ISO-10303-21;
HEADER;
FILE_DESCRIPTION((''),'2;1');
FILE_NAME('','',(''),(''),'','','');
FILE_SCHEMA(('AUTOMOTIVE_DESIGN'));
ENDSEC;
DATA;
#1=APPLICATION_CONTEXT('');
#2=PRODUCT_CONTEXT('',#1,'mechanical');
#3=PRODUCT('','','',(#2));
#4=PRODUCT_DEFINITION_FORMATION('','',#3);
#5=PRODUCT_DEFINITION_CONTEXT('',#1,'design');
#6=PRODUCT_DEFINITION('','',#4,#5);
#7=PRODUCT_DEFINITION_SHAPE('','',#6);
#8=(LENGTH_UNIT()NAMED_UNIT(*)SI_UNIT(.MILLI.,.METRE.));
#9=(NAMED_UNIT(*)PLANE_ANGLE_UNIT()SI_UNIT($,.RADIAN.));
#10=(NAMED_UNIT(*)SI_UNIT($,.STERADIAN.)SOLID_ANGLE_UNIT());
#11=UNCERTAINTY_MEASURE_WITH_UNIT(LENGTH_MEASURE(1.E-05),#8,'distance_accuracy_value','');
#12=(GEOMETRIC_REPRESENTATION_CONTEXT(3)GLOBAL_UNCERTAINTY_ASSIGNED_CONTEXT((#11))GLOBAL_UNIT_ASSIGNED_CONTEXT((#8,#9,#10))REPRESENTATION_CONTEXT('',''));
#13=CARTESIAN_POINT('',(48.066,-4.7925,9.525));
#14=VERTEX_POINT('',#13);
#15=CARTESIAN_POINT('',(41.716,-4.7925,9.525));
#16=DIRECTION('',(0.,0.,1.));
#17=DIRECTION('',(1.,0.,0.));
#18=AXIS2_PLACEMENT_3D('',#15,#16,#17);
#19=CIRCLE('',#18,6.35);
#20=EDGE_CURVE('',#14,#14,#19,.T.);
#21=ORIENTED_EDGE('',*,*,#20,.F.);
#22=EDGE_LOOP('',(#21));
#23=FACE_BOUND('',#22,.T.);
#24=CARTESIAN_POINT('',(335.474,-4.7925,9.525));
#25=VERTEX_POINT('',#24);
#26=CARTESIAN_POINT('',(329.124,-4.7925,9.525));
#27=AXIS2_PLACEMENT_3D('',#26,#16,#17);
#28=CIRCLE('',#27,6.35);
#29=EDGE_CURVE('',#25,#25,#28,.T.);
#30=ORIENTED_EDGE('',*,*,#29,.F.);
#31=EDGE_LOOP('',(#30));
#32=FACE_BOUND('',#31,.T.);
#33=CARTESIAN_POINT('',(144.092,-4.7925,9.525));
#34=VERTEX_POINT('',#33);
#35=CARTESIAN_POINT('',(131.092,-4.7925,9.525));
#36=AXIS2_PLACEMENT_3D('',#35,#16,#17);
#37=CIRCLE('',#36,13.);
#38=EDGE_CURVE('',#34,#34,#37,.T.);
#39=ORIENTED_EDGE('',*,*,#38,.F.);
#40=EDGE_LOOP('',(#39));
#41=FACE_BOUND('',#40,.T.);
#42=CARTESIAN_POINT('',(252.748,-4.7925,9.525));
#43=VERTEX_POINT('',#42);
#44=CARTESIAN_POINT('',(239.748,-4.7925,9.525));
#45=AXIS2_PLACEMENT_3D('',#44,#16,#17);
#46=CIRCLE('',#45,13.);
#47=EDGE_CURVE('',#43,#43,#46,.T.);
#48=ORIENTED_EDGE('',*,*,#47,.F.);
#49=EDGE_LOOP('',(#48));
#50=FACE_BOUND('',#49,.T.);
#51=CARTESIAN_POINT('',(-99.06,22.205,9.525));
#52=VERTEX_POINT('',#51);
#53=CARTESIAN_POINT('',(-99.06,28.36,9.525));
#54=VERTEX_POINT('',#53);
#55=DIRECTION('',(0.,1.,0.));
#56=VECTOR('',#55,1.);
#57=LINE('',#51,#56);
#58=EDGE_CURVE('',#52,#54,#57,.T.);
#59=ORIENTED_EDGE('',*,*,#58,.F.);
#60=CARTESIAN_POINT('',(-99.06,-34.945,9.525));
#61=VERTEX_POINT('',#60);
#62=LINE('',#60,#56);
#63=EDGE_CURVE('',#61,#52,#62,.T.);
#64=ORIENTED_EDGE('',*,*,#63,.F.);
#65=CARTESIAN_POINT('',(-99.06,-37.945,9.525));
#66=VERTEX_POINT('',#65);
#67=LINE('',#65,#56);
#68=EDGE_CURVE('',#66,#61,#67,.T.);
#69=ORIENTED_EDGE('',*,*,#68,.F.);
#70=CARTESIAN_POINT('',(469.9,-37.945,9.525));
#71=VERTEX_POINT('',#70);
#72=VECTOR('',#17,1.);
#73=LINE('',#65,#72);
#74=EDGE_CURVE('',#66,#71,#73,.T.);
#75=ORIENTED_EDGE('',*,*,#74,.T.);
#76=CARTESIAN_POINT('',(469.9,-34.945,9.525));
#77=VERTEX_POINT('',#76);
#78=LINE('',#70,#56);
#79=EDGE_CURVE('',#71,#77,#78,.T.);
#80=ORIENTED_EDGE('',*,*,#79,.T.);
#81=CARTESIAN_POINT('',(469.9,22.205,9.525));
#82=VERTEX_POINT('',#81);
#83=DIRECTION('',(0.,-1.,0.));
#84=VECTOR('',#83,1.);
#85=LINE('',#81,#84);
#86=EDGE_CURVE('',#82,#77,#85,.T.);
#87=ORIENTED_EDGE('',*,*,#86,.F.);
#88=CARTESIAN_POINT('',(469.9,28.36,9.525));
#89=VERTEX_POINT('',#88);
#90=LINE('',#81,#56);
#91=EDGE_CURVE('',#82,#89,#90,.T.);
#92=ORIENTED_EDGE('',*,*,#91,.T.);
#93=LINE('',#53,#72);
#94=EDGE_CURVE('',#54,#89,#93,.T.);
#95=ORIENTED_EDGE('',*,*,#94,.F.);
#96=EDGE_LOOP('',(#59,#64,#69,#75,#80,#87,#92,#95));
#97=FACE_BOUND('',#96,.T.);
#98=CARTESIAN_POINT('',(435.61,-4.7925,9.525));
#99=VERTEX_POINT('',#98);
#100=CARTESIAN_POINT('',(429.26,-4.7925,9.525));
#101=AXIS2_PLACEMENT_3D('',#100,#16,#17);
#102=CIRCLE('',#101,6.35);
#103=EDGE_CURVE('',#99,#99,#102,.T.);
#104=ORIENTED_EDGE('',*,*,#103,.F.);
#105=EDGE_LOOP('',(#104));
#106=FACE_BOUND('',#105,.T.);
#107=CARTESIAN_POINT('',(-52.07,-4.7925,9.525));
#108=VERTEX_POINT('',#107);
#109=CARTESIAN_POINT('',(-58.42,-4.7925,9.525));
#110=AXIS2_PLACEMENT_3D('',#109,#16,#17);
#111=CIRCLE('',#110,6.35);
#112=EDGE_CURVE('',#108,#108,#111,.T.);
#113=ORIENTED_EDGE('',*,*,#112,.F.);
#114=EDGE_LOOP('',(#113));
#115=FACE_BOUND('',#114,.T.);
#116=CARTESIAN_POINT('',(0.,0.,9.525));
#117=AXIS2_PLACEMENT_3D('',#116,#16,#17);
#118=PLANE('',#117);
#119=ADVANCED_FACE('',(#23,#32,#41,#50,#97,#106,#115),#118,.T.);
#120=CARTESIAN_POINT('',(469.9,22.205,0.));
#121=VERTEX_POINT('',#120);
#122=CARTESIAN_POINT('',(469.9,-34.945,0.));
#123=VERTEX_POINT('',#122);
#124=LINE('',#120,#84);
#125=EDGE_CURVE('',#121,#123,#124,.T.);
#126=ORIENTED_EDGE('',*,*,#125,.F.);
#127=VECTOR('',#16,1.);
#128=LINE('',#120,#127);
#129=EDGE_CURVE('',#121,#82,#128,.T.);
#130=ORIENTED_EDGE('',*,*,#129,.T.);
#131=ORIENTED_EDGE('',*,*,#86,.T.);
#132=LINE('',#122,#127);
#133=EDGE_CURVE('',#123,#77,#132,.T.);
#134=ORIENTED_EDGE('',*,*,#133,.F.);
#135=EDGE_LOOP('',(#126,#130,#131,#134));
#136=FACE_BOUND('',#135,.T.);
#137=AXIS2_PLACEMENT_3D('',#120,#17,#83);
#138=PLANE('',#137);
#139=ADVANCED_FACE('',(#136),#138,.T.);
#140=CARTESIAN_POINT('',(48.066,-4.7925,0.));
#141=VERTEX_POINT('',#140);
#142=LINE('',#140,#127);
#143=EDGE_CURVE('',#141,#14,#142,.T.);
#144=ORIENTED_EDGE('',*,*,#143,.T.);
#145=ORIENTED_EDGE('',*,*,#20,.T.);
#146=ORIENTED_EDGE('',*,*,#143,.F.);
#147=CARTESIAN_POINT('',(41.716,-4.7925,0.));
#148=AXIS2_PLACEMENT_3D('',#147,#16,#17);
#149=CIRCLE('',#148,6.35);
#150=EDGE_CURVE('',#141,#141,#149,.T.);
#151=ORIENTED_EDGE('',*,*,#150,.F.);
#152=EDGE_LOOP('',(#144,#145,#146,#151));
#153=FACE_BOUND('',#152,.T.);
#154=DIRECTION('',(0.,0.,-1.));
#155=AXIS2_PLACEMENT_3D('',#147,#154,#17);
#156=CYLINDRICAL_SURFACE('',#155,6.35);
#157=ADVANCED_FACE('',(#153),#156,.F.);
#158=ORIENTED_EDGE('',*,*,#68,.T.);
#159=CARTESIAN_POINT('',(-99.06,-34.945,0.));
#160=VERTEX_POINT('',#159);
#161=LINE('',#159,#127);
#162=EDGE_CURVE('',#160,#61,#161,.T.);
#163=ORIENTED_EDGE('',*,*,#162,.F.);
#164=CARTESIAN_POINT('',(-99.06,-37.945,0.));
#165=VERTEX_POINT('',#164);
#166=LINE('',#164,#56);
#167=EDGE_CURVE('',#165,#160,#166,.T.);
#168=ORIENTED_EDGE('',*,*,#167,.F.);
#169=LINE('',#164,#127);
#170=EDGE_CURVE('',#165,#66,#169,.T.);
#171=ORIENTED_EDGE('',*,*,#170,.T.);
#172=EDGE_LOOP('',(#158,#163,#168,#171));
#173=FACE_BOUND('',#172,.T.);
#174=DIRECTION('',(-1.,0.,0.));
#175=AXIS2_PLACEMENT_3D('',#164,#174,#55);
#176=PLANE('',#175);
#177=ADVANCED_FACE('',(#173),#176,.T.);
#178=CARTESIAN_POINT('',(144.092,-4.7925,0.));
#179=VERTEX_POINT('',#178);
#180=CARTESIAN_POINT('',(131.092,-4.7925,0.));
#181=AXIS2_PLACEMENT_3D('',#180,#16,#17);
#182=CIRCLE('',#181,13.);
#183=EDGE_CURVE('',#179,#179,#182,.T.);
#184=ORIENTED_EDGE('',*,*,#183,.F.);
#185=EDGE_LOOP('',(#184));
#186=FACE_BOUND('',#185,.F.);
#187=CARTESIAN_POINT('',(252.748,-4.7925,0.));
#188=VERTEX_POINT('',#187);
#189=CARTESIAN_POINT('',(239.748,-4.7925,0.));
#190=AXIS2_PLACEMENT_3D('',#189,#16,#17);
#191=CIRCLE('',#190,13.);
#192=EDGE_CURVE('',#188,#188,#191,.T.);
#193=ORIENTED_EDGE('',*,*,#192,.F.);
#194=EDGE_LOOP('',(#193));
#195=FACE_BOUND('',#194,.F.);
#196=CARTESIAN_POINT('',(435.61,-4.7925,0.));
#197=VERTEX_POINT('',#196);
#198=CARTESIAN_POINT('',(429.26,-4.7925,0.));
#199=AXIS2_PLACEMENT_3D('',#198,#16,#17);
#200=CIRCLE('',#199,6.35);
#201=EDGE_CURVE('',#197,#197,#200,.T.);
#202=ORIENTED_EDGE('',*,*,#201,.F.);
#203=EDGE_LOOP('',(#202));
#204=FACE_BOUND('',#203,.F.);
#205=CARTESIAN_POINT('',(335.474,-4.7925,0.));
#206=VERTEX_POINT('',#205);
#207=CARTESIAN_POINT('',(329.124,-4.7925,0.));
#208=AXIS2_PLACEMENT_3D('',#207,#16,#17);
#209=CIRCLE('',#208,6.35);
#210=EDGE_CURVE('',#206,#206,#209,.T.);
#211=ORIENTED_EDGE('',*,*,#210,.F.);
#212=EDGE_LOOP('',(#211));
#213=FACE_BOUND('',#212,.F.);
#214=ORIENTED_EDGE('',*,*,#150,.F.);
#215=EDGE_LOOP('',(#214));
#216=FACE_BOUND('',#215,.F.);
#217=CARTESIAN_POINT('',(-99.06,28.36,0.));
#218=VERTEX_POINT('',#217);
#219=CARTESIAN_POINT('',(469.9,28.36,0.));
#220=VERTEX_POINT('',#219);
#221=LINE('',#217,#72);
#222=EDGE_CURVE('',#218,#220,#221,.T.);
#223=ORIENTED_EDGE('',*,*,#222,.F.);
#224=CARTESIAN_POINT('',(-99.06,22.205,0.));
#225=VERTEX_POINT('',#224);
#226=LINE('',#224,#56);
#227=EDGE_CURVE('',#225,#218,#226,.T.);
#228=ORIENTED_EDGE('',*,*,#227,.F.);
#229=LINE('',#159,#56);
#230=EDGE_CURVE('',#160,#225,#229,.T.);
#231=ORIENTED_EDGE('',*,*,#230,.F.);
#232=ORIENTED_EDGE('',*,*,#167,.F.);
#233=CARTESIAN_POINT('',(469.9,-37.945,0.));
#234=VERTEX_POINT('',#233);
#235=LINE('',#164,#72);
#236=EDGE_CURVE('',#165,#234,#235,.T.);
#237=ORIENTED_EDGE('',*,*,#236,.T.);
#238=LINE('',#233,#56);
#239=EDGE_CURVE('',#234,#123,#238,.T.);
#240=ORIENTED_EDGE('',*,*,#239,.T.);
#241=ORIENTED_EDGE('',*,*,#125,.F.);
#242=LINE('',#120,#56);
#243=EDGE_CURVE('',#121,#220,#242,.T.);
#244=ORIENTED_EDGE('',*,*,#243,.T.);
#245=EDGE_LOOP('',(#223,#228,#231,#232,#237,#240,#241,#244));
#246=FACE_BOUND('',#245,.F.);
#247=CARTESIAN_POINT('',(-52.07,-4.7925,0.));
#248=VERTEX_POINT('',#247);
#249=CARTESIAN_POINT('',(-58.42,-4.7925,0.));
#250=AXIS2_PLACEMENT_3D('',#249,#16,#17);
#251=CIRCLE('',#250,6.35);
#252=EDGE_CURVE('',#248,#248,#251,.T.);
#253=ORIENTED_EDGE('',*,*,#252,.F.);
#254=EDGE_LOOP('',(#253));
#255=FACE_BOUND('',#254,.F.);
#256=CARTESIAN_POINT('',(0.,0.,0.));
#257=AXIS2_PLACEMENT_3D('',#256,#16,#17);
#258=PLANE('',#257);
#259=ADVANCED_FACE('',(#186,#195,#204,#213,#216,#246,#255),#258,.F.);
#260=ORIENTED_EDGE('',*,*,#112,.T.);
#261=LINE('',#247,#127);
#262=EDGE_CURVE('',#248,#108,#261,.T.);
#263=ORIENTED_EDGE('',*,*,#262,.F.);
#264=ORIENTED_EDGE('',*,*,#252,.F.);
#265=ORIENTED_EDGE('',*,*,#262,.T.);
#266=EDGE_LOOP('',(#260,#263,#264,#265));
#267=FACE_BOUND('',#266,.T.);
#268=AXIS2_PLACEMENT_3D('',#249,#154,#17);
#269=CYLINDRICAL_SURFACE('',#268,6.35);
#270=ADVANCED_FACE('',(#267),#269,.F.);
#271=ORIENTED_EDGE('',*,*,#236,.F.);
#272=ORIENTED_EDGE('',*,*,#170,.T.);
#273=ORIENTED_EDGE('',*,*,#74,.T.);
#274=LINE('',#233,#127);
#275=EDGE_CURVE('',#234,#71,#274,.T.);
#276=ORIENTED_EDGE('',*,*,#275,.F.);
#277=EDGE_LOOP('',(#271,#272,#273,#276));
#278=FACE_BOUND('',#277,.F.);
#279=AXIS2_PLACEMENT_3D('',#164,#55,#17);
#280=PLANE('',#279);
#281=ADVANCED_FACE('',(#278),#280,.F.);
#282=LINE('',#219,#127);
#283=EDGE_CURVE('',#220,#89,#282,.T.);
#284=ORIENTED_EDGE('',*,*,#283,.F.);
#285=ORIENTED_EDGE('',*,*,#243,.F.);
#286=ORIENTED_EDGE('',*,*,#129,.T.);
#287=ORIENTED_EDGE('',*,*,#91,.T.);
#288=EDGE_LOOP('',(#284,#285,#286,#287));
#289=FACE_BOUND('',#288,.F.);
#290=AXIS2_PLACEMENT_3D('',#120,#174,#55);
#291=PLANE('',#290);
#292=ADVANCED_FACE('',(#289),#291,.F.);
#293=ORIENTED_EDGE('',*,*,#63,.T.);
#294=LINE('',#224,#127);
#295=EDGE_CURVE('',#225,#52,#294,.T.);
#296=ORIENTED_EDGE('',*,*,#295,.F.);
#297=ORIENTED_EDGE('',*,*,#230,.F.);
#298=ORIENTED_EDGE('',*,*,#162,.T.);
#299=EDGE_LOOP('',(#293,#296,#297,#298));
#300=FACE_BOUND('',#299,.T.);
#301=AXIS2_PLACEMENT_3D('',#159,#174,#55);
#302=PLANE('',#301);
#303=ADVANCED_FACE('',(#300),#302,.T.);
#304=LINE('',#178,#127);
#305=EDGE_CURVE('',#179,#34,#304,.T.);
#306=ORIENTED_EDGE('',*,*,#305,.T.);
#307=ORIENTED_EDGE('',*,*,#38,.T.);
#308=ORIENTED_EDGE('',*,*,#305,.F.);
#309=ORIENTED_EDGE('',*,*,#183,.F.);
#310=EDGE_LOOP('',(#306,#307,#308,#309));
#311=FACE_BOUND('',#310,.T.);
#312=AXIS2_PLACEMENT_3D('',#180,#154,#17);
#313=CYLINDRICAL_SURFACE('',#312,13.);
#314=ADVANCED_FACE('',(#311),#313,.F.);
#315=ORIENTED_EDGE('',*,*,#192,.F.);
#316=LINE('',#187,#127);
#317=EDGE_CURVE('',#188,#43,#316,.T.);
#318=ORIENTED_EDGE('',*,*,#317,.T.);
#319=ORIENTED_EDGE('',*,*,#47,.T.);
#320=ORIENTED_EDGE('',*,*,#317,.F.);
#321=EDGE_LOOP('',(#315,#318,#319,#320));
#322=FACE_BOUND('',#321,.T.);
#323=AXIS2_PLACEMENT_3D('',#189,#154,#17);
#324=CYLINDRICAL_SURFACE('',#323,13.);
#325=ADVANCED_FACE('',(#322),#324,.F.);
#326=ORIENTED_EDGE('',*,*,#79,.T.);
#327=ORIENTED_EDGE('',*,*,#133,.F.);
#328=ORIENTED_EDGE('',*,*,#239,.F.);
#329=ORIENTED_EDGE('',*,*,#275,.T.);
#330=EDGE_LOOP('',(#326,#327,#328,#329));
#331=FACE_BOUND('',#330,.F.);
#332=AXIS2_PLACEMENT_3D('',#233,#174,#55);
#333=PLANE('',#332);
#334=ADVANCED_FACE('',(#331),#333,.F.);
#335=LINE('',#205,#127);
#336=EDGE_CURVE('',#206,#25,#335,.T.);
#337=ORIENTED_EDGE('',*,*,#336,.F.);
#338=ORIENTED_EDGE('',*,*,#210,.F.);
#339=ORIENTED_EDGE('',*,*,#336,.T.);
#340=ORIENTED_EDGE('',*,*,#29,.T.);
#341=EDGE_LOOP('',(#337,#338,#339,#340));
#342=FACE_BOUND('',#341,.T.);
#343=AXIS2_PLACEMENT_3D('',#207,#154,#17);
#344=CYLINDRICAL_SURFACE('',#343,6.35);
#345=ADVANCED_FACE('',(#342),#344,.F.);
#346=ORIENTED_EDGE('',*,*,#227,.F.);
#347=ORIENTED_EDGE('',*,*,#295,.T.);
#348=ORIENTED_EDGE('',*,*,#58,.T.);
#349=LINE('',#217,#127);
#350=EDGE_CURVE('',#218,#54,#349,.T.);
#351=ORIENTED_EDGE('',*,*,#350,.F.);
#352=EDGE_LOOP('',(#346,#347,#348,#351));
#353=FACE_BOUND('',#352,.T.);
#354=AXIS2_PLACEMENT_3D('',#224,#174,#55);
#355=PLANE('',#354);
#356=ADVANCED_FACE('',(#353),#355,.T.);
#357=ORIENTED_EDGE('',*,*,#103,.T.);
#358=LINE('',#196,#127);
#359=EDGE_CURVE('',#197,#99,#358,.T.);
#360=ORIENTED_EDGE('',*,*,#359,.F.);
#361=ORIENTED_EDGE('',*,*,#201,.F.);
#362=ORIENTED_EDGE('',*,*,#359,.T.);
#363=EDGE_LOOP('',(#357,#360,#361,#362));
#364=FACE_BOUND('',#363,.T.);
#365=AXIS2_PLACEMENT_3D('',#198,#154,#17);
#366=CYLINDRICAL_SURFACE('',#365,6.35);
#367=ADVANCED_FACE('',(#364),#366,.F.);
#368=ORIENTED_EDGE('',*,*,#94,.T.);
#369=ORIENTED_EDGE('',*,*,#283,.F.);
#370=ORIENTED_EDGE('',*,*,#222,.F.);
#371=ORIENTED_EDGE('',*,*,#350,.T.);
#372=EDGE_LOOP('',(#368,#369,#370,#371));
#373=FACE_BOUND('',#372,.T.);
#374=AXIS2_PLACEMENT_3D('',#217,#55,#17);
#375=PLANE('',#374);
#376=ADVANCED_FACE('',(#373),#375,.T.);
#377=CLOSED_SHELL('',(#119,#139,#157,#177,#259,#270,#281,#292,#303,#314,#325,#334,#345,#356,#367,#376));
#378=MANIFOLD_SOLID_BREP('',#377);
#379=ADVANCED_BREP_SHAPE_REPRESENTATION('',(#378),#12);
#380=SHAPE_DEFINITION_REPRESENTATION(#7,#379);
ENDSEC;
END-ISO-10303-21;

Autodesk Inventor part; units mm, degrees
ref_plane "YZ Plane" through (0, 0, 0) normal (1, 0, 0) x (0, 1, 0)
ref_plane "XZ Plane" through (0, 0, 0) normal (0, 1, 0) x (-1, 0, 0)
ref_plane "XY Plane" through (0, 0, 0) normal (0, 0, 1) x (1, 0, 0)
sketch "Sketch2" plane through (0, 0, 0) normal (0, 0, 1) x (1, 0, 0)
  line L0 (469.9, 22.205) -> (469.9, -34.945)
  line L1 (-99.06, -34.945) -> (-99.06, 22.205)
  circle A0 centre (-58.42, -4.7925) radius 6.35
  circle A1 centre (41.716, -4.7925) radius 6.35
  circle A2 centre (131.092, -4.7925) radius 13
  circle A3 centre (429.26, -4.7925) radius 6.35
  circle A4 centre (329.124, -4.7925) radius 6.35
  circle A5 centre (239.748, -4.7925) radius 13
  line L2 (-99.06, 28.36) -> (469.9, 28.36)
  line L3 (-99.06, -37.945) -> (469.9, -37.945)
  line L4 (-99.06, 22.205) -> (-99.06, 28.36)
  line L5 (-99.06, -37.945) -> (-99.06, -34.945)
  line L6 (469.9, -37.945) -> (469.9, -34.945)
  line L7 (469.9, 22.205) -> (469.9, 28.36)
  point P0 (0, 0)
  point P1 (0, 0)
  dimension "d25" = 12.7
  dimension "d26" = 12.7
  dimension "d27" = 26
  dimension "d28" = 12.7
  dimension "d29" = 12.7
  dimension "d30" = 26
  dimension "d31" = 568.96
  dimension "d32" = 40.64
  dimension "d33" = 140.776
  dimension "d34" = 230.152
  dimension "d35" = 230.152
  dimension "d36" = 40.64
  dimension "d37" = 140.776
  dimension "d38" = 66.305
  dimension "d39" = 33.1525
  dimension "d40" = 33.1525
  dimension "d41" = 33.1525
  dimension "d42" = 33.1525
  dimension "d43" = 33.1525
  dimension "d44" = 33.1525
extrude "Extrusion1" add sketch "Sketch2" along normal blind 9.525
properties part number "side cutout" material "Aluminum 6061"
